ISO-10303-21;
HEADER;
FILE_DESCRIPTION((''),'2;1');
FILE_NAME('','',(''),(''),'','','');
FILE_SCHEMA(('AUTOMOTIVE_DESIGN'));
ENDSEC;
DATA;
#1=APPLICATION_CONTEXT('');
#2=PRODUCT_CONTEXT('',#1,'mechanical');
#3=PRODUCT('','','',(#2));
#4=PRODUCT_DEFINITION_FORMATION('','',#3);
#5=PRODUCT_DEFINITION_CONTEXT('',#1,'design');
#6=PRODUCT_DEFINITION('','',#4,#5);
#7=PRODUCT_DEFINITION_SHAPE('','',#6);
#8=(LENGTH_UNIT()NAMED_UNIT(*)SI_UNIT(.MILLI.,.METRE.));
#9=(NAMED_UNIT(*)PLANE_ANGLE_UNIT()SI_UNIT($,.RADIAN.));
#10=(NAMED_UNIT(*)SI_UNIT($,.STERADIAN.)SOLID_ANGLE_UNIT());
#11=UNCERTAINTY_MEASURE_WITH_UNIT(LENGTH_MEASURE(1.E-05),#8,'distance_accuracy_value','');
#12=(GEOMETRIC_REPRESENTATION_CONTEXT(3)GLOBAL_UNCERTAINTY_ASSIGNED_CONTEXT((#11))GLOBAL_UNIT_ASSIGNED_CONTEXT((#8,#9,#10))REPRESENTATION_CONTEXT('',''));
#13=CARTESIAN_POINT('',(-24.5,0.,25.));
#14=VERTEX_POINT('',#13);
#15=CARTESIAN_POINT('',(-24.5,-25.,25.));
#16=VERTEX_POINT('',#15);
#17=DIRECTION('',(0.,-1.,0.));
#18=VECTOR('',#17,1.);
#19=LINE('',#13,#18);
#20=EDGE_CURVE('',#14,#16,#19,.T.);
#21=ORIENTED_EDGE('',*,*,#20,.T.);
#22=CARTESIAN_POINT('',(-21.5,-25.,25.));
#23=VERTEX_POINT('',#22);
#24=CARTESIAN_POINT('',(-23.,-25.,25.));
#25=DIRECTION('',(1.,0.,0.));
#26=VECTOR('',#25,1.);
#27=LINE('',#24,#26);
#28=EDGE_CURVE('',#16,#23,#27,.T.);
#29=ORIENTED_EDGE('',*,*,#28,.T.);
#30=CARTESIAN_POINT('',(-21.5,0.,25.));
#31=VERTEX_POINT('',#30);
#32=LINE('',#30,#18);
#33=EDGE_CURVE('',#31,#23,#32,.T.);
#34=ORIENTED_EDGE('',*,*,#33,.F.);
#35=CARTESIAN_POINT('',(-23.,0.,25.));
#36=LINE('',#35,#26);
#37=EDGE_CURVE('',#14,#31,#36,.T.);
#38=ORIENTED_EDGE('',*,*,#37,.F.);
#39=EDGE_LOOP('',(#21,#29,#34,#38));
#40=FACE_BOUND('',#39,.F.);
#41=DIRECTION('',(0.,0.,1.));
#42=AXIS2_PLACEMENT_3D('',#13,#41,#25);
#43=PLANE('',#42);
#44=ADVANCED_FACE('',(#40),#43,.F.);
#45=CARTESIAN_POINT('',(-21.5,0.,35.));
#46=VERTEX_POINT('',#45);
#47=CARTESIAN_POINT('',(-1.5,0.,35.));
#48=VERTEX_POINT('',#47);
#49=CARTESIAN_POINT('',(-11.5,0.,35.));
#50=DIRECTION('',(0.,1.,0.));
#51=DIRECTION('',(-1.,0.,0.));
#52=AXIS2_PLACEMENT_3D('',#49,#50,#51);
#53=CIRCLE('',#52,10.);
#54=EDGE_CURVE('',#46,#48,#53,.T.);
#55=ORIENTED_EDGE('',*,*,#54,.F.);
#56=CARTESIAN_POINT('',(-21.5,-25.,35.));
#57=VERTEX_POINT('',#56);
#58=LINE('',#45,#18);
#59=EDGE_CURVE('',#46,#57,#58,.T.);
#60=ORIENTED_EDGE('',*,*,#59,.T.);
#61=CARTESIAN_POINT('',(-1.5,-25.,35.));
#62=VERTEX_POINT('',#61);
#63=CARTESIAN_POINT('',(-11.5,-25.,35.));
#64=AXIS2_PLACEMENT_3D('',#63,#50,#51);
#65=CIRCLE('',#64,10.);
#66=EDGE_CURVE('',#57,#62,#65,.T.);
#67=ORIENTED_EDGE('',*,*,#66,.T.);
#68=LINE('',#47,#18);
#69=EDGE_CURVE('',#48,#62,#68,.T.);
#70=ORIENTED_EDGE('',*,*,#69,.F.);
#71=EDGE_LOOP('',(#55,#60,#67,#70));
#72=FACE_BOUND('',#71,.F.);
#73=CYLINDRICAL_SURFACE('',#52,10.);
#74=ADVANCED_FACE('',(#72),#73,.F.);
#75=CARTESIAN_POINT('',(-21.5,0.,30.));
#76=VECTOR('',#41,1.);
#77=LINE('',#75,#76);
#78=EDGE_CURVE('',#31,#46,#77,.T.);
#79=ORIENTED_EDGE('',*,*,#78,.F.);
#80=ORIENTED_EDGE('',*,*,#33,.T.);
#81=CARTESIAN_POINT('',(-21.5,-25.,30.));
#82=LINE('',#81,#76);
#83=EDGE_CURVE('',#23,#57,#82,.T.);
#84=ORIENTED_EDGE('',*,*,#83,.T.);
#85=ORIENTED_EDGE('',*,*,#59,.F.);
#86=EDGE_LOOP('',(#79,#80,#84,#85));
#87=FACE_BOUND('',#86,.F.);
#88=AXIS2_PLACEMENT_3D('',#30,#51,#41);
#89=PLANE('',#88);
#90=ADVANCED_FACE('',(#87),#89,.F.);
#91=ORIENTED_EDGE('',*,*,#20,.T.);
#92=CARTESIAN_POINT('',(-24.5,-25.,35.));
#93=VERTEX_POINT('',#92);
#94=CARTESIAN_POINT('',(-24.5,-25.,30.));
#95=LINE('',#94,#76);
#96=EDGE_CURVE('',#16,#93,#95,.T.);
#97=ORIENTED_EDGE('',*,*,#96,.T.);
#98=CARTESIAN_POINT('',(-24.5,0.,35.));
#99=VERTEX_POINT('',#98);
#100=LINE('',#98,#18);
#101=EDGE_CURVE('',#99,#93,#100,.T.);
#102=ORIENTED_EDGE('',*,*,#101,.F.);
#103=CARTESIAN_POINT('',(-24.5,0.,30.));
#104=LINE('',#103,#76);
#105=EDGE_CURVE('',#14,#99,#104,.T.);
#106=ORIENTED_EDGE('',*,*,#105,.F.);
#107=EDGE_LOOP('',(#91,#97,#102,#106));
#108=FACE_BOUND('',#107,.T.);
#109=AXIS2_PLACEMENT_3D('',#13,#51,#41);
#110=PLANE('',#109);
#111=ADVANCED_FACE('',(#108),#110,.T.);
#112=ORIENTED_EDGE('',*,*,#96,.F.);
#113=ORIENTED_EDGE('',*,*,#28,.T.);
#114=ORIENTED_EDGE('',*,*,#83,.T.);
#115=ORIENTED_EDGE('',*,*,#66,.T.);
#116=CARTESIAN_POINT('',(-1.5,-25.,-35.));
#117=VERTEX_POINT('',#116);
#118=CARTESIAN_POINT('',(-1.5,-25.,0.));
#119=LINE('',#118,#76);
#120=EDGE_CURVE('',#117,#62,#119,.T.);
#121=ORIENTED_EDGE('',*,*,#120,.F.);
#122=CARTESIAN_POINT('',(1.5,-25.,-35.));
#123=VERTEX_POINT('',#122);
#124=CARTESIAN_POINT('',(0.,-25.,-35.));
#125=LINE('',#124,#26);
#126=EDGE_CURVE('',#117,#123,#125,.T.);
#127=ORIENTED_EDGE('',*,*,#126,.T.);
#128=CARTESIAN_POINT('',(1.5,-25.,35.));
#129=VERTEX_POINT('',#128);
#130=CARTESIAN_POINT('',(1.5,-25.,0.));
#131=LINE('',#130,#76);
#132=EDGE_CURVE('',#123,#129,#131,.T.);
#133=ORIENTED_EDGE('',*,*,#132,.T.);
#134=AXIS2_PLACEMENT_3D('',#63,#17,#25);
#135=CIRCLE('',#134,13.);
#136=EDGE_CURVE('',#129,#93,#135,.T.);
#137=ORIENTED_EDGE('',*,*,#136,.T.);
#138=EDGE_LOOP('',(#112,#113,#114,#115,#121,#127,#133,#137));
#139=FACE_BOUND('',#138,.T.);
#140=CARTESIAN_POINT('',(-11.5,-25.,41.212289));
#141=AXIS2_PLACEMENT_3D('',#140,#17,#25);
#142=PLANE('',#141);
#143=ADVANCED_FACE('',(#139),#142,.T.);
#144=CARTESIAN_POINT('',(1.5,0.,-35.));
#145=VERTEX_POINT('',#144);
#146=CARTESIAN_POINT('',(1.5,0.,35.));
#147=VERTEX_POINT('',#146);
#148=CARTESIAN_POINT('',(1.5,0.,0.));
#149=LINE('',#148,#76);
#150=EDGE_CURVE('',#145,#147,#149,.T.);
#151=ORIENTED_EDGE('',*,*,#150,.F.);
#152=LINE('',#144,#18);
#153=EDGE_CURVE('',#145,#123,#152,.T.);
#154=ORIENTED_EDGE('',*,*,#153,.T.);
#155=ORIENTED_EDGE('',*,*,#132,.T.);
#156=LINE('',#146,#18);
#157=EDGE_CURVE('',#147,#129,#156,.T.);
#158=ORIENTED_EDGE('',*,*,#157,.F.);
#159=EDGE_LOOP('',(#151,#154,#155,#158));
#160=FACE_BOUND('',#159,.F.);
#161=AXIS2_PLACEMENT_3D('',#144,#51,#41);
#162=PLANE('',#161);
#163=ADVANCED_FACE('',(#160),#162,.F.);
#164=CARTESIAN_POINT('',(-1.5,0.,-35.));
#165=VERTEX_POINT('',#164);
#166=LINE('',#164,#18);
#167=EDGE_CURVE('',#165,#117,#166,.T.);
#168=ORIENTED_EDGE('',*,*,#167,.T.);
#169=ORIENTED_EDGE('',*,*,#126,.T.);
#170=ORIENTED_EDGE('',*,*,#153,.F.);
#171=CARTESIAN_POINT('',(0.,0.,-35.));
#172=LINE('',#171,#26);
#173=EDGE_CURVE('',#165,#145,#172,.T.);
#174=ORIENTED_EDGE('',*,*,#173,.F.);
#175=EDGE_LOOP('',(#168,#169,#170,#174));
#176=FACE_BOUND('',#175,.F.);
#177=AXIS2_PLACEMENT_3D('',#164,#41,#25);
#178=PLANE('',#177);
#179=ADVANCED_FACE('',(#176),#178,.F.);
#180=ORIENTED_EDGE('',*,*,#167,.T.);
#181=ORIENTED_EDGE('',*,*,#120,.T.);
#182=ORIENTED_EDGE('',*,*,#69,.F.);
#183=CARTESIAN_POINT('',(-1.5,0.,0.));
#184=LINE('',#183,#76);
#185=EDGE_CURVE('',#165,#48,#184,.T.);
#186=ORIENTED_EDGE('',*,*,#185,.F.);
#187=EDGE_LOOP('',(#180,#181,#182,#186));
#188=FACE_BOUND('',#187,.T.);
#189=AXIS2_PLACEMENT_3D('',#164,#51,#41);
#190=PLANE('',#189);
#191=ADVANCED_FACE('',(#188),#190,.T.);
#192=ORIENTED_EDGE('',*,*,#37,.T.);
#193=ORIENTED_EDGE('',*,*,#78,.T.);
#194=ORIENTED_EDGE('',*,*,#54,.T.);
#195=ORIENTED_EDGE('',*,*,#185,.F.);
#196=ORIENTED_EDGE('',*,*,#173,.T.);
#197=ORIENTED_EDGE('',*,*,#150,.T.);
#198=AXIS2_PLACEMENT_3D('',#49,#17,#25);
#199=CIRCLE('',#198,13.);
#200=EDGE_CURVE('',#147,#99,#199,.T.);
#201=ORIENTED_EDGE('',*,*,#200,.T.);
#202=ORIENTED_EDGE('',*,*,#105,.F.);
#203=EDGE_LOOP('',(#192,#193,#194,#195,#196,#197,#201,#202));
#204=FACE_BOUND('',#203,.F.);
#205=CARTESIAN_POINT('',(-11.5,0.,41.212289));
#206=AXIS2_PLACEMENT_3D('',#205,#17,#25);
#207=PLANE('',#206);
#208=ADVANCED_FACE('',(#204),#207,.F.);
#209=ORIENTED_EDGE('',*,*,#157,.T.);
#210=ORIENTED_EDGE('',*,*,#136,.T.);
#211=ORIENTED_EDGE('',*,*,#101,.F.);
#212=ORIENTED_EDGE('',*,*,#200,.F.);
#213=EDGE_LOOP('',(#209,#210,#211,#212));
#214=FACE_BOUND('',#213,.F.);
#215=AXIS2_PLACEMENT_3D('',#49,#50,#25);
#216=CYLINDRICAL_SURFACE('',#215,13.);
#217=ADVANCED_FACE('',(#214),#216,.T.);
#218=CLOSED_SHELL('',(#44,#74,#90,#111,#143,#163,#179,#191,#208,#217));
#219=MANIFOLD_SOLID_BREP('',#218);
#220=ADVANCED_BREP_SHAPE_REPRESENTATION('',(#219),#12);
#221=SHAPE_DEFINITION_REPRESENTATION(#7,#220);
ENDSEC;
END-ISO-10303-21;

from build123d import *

# Parameters (mm, degrees)
F0_W     = 3
F0_H     = 70
F0_H_2   = 10
F1_DEPTH = 25


with BuildPart() as f1:
    # F0 (on Front) → F1 (new body)
    with BuildSketch(Plane.XZ):
        with BuildLine():
            ThreePointArc((-21.5, 35), (-11.5, 45), (-1.5, 35))
            Line((-1.5, 35), (1.5, 35))
            ThreePointArc((1.5, 35), (-11.5, 48), (-24.5, 35))
            Line((-24.5, 35), (-21.5, 35))
        make_face()
        Rectangle(F0_W, F0_H)
        with Locations((-23, 30)):
            Rectangle(F0_W, F0_H_2)
    extrude(amount=F1_DEPTH)


solid = f1.part
